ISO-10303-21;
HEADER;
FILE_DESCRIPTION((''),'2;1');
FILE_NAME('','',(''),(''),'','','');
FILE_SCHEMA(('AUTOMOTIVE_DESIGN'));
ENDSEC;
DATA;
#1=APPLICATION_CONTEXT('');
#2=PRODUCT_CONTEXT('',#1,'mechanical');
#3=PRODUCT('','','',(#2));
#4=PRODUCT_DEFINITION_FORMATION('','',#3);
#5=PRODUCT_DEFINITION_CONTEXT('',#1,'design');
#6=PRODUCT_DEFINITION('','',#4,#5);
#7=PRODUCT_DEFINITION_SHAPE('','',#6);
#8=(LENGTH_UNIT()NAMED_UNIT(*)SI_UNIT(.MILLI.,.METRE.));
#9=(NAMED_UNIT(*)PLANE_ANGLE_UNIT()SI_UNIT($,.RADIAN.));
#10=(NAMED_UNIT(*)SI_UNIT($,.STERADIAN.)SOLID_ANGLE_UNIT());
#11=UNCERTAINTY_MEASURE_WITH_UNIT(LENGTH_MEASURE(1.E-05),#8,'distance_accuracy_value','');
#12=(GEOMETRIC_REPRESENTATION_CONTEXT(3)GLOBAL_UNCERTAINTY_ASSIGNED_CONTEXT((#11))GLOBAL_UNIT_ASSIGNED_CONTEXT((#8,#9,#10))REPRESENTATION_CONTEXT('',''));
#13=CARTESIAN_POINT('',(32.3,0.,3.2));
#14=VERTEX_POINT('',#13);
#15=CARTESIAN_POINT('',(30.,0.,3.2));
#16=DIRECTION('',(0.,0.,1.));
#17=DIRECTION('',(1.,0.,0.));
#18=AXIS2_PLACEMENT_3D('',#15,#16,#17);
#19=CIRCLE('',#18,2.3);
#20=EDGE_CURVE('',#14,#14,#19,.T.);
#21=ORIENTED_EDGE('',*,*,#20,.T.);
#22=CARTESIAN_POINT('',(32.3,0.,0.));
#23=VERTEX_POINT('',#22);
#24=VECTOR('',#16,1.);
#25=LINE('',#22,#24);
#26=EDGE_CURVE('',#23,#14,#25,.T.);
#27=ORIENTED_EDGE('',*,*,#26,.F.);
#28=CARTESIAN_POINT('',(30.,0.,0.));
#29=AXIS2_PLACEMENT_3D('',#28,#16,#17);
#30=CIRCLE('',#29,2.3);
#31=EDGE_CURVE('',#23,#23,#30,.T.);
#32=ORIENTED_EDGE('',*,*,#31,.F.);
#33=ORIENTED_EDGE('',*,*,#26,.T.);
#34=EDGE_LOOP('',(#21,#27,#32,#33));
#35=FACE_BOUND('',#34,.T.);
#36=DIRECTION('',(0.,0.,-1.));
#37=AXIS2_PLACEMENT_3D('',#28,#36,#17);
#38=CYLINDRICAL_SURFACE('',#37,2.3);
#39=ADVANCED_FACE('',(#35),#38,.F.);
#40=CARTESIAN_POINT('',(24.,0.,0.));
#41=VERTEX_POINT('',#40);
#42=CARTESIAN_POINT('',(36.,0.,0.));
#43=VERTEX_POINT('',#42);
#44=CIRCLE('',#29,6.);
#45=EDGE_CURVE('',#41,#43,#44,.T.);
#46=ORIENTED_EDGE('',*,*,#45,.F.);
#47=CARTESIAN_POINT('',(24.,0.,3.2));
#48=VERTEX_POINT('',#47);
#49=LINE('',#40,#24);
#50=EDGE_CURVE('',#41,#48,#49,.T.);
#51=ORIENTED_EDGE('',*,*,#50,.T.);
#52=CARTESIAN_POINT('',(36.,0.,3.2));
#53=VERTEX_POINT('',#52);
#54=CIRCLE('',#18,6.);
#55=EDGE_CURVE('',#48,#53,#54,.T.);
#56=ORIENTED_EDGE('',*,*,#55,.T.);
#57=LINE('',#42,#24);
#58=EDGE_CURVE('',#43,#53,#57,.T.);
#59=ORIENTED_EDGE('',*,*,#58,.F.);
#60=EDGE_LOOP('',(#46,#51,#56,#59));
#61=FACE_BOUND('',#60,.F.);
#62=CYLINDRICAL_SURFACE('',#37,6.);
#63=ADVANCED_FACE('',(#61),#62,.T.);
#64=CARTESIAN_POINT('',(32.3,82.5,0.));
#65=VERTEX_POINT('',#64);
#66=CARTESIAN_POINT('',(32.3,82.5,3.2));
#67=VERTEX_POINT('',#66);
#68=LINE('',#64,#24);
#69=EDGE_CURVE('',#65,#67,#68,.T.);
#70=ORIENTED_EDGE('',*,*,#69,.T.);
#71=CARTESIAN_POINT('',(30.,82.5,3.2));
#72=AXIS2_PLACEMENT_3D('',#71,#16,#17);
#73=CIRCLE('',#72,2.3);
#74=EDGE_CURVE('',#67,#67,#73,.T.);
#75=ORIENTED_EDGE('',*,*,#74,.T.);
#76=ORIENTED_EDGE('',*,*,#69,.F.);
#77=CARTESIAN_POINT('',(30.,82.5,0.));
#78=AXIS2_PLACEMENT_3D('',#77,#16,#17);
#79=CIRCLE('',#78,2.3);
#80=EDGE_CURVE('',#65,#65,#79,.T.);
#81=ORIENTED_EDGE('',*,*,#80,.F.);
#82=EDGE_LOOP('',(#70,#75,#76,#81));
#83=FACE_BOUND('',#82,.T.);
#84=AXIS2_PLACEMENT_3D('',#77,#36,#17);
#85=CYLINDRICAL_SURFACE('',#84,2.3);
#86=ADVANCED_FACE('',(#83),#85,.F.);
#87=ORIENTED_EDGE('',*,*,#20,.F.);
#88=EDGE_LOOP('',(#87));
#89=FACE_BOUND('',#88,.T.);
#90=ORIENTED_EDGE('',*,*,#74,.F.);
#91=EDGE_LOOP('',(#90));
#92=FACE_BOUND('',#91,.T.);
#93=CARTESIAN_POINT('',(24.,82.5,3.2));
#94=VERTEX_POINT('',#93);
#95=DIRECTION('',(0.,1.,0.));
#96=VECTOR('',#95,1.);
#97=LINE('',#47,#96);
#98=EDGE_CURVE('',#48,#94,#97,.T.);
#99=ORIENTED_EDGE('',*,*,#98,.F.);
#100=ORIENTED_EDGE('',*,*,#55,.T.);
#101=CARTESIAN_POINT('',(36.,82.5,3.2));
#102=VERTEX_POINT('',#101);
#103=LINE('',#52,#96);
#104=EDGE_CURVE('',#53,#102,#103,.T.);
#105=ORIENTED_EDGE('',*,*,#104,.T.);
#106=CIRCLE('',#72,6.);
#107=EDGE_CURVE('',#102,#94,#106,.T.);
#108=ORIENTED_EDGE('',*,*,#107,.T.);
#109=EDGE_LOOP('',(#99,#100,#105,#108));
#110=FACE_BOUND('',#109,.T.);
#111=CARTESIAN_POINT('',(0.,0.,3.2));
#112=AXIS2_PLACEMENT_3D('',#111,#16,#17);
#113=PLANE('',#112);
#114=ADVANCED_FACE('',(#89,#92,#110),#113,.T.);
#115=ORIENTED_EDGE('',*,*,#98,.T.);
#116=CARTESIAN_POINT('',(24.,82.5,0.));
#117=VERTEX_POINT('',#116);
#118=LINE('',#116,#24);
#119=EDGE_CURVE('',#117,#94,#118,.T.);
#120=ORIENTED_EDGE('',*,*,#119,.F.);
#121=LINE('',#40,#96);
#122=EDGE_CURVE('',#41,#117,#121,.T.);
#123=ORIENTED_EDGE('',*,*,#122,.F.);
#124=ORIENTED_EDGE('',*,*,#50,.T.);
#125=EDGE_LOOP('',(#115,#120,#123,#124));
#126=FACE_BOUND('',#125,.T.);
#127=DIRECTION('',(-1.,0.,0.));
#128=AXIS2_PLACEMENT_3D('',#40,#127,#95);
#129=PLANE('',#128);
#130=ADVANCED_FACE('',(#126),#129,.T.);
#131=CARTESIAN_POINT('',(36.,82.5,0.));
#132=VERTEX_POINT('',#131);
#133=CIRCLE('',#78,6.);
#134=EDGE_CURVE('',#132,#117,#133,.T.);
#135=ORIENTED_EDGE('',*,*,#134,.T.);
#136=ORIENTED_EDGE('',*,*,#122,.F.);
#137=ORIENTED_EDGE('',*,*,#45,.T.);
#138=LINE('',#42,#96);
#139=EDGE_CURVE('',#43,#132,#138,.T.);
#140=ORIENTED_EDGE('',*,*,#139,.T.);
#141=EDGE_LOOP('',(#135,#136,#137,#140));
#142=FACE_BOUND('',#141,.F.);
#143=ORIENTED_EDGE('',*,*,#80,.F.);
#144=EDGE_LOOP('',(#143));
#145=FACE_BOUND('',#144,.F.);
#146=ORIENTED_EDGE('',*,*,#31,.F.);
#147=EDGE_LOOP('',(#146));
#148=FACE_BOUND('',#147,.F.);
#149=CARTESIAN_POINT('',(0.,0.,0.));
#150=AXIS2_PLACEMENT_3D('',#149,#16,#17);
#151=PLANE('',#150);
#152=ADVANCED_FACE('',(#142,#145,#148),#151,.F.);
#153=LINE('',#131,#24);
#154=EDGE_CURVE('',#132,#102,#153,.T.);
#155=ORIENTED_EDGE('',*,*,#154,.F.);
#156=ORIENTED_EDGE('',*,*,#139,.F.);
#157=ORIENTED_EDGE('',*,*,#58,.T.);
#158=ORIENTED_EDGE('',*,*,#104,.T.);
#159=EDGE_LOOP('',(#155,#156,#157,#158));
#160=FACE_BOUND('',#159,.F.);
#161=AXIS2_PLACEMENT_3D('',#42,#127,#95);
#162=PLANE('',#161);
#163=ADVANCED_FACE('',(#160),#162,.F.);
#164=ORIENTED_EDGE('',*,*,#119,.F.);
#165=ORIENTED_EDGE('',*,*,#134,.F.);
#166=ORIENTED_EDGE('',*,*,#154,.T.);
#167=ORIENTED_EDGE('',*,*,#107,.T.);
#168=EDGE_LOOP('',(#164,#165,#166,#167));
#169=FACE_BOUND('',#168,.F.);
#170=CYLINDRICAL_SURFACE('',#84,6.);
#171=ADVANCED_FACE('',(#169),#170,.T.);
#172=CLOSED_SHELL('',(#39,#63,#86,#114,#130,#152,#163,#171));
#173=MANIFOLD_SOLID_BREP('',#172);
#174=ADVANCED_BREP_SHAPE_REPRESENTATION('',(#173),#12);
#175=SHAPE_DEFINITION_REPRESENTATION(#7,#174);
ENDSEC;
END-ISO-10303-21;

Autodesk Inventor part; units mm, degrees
ref_plane "YZ Plane" through (0, 0, 0) normal (1, 0, 0) x (0, 1, 0)
ref_plane "XZ Plane" through (0, 0, 0) normal (0, 1, 0) x (-1, 0, 0)
ref_plane "XY Plane" through (0, 0, 0) normal (0, 0, 1) x (1, 0, 0)
sketch "Sketch1" plane through (0, 0, 0) normal (0, 0, 1) x (1, 0, 0)
  circle A0 centre (30, 0) radius 2.3 projected
  circle A1 centre (30, 0) radius 6
  line L0 (24, 0) -> (24, 82.5)
  line L1 (36, 0) -> (36, 82.5)
  line L2 (24, 41.25) -> (36, 41.25) construction
  circle A2 centre (30, 82.5) radius 2.3
  circle A3 centre (30, 82.5) radius 6
  point P0 (0, 0)
  dimension "d0" = 12
  dimension "d1" = 82.5
extrude "Extrusion1" add sketch "Sketch1" along normal blind 3.2
properties part number "Eslabon_TransPot"
